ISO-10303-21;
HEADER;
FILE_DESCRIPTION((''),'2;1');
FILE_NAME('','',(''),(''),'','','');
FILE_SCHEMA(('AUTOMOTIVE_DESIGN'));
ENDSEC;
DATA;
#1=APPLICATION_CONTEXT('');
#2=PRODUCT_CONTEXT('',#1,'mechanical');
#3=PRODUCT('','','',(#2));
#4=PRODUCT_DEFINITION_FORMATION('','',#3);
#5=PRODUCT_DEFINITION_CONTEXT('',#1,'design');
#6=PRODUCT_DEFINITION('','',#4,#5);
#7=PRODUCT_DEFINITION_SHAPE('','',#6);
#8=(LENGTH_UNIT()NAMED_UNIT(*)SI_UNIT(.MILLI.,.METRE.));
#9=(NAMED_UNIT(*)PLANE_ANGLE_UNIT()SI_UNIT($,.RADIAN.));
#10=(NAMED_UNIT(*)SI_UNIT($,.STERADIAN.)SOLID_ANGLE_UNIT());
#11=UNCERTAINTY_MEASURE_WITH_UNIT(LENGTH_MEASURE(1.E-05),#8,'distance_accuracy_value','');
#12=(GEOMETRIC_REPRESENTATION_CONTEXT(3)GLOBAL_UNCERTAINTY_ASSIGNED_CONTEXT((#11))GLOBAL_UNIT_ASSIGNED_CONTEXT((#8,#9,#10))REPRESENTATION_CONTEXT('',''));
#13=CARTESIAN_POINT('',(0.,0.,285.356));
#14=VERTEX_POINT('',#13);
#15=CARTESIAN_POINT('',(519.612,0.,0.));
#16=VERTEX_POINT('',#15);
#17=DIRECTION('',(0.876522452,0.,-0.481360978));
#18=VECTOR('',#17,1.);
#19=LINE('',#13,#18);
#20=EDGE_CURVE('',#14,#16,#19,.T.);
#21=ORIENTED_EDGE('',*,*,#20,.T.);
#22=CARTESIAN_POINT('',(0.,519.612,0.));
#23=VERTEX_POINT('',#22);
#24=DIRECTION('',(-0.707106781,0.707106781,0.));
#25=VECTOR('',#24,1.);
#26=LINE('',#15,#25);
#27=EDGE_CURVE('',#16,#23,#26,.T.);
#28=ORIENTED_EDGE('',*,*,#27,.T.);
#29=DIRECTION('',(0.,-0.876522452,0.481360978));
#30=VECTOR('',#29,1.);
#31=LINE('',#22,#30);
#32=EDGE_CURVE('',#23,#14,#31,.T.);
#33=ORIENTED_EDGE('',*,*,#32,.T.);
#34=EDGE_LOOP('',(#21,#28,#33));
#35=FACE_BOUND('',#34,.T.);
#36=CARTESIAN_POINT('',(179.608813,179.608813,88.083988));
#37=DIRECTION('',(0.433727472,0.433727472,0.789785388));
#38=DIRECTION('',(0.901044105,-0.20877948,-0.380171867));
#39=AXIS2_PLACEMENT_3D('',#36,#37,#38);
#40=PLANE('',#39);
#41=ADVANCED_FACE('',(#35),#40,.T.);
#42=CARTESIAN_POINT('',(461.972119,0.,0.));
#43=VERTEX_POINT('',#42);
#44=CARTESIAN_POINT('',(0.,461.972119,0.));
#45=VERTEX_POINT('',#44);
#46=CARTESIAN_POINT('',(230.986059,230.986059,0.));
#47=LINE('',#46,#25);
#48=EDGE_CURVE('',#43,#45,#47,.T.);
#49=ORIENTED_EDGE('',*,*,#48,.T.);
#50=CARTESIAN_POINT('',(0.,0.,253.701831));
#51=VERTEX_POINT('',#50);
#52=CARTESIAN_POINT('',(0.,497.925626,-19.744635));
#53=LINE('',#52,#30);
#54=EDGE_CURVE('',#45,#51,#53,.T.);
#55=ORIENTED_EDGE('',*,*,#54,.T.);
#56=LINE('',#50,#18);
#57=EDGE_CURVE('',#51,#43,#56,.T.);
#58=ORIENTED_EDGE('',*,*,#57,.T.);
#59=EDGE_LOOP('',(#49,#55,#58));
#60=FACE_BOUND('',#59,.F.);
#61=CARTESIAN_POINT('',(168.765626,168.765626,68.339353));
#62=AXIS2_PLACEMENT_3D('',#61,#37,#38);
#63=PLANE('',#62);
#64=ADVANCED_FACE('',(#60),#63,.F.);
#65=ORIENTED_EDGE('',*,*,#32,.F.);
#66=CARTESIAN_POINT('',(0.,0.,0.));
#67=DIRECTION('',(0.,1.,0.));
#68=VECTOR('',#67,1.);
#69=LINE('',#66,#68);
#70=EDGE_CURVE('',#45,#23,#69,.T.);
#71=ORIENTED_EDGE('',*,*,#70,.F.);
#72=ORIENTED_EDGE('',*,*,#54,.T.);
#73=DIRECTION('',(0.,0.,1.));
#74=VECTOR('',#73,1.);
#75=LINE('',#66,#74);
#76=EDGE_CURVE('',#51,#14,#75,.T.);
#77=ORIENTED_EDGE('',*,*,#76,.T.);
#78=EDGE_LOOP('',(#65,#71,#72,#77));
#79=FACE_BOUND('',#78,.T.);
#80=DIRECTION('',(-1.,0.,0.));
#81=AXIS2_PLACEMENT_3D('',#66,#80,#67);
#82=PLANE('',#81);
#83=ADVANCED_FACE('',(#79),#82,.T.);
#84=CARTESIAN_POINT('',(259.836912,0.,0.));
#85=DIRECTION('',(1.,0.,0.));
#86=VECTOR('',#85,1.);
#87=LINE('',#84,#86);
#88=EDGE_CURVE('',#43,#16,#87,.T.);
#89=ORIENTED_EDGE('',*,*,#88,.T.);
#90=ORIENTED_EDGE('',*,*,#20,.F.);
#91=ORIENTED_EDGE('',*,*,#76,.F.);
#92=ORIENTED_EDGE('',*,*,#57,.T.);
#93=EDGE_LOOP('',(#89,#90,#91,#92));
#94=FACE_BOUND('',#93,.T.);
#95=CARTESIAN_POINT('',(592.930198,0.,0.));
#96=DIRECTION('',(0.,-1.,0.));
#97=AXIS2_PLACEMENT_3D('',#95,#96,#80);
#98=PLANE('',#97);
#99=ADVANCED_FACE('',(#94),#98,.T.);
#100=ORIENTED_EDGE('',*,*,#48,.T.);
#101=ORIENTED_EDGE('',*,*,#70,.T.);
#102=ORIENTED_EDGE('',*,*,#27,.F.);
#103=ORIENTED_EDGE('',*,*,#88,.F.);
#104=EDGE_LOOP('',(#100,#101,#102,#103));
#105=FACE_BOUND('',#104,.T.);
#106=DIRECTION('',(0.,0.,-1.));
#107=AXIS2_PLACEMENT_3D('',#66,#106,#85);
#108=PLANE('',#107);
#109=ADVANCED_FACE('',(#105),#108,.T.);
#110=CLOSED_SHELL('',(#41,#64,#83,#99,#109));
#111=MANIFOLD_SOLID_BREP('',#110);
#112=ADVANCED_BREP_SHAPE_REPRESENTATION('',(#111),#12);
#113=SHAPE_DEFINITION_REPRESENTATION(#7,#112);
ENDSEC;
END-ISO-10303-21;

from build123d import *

# Parameters (mm, degrees)
F5_DEPTH      = 25
F7_DEPTH      = 343
F7_DEPTH_BACK = 50
F8_W          = 519.6738243103
F8_H          = 31.4134806395
F9_DEPTH      = 544


with BuildPart() as f5:
    # F4 (on 3pt) → F5 (new body)
    with BuildSketch(Plane(origin=(97.7491601024, 97.7491601024, 177.9939324181), x_dir=(0.9010441054, -0.2087794804, -0.3801718673), z_dir=(0.4337274722, 0.4337274722, 0.7897853884))):
        Polygon((-108.4843233732, 455.4515841965), (-108.4843233732, -137.3592433699), (468.1933296886, 0), align=None)
    extrude(amount=-F5_DEPTH)

    # F6 (on Top) → F7 (cut, two sides)
    with BuildSketch(Plane.XY) as f7_sk:
        Polygon((0, 577.9420137405), (-45, 577.9420137405), (-45, -45), (592.9301977158, -45), (592.9301977158, 0), (0, 0), align=None)
    extrude(amount=F7_DEPTH, mode=Mode.SUBTRACT)
    extrude(f7_sk.sketch, amount=-F7_DEPTH_BACK, mode=Mode.SUBTRACT)

    # F8 (on Front) → F9 (cut)
    with BuildSketch(Plane.XZ):
        with Locations((259.8369121552, -15.7067403197)):
            Rectangle(F8_W, F8_H)
    extrude(amount=-F9_DEPTH, mode=Mode.SUBTRACT)


solid = f5.part
